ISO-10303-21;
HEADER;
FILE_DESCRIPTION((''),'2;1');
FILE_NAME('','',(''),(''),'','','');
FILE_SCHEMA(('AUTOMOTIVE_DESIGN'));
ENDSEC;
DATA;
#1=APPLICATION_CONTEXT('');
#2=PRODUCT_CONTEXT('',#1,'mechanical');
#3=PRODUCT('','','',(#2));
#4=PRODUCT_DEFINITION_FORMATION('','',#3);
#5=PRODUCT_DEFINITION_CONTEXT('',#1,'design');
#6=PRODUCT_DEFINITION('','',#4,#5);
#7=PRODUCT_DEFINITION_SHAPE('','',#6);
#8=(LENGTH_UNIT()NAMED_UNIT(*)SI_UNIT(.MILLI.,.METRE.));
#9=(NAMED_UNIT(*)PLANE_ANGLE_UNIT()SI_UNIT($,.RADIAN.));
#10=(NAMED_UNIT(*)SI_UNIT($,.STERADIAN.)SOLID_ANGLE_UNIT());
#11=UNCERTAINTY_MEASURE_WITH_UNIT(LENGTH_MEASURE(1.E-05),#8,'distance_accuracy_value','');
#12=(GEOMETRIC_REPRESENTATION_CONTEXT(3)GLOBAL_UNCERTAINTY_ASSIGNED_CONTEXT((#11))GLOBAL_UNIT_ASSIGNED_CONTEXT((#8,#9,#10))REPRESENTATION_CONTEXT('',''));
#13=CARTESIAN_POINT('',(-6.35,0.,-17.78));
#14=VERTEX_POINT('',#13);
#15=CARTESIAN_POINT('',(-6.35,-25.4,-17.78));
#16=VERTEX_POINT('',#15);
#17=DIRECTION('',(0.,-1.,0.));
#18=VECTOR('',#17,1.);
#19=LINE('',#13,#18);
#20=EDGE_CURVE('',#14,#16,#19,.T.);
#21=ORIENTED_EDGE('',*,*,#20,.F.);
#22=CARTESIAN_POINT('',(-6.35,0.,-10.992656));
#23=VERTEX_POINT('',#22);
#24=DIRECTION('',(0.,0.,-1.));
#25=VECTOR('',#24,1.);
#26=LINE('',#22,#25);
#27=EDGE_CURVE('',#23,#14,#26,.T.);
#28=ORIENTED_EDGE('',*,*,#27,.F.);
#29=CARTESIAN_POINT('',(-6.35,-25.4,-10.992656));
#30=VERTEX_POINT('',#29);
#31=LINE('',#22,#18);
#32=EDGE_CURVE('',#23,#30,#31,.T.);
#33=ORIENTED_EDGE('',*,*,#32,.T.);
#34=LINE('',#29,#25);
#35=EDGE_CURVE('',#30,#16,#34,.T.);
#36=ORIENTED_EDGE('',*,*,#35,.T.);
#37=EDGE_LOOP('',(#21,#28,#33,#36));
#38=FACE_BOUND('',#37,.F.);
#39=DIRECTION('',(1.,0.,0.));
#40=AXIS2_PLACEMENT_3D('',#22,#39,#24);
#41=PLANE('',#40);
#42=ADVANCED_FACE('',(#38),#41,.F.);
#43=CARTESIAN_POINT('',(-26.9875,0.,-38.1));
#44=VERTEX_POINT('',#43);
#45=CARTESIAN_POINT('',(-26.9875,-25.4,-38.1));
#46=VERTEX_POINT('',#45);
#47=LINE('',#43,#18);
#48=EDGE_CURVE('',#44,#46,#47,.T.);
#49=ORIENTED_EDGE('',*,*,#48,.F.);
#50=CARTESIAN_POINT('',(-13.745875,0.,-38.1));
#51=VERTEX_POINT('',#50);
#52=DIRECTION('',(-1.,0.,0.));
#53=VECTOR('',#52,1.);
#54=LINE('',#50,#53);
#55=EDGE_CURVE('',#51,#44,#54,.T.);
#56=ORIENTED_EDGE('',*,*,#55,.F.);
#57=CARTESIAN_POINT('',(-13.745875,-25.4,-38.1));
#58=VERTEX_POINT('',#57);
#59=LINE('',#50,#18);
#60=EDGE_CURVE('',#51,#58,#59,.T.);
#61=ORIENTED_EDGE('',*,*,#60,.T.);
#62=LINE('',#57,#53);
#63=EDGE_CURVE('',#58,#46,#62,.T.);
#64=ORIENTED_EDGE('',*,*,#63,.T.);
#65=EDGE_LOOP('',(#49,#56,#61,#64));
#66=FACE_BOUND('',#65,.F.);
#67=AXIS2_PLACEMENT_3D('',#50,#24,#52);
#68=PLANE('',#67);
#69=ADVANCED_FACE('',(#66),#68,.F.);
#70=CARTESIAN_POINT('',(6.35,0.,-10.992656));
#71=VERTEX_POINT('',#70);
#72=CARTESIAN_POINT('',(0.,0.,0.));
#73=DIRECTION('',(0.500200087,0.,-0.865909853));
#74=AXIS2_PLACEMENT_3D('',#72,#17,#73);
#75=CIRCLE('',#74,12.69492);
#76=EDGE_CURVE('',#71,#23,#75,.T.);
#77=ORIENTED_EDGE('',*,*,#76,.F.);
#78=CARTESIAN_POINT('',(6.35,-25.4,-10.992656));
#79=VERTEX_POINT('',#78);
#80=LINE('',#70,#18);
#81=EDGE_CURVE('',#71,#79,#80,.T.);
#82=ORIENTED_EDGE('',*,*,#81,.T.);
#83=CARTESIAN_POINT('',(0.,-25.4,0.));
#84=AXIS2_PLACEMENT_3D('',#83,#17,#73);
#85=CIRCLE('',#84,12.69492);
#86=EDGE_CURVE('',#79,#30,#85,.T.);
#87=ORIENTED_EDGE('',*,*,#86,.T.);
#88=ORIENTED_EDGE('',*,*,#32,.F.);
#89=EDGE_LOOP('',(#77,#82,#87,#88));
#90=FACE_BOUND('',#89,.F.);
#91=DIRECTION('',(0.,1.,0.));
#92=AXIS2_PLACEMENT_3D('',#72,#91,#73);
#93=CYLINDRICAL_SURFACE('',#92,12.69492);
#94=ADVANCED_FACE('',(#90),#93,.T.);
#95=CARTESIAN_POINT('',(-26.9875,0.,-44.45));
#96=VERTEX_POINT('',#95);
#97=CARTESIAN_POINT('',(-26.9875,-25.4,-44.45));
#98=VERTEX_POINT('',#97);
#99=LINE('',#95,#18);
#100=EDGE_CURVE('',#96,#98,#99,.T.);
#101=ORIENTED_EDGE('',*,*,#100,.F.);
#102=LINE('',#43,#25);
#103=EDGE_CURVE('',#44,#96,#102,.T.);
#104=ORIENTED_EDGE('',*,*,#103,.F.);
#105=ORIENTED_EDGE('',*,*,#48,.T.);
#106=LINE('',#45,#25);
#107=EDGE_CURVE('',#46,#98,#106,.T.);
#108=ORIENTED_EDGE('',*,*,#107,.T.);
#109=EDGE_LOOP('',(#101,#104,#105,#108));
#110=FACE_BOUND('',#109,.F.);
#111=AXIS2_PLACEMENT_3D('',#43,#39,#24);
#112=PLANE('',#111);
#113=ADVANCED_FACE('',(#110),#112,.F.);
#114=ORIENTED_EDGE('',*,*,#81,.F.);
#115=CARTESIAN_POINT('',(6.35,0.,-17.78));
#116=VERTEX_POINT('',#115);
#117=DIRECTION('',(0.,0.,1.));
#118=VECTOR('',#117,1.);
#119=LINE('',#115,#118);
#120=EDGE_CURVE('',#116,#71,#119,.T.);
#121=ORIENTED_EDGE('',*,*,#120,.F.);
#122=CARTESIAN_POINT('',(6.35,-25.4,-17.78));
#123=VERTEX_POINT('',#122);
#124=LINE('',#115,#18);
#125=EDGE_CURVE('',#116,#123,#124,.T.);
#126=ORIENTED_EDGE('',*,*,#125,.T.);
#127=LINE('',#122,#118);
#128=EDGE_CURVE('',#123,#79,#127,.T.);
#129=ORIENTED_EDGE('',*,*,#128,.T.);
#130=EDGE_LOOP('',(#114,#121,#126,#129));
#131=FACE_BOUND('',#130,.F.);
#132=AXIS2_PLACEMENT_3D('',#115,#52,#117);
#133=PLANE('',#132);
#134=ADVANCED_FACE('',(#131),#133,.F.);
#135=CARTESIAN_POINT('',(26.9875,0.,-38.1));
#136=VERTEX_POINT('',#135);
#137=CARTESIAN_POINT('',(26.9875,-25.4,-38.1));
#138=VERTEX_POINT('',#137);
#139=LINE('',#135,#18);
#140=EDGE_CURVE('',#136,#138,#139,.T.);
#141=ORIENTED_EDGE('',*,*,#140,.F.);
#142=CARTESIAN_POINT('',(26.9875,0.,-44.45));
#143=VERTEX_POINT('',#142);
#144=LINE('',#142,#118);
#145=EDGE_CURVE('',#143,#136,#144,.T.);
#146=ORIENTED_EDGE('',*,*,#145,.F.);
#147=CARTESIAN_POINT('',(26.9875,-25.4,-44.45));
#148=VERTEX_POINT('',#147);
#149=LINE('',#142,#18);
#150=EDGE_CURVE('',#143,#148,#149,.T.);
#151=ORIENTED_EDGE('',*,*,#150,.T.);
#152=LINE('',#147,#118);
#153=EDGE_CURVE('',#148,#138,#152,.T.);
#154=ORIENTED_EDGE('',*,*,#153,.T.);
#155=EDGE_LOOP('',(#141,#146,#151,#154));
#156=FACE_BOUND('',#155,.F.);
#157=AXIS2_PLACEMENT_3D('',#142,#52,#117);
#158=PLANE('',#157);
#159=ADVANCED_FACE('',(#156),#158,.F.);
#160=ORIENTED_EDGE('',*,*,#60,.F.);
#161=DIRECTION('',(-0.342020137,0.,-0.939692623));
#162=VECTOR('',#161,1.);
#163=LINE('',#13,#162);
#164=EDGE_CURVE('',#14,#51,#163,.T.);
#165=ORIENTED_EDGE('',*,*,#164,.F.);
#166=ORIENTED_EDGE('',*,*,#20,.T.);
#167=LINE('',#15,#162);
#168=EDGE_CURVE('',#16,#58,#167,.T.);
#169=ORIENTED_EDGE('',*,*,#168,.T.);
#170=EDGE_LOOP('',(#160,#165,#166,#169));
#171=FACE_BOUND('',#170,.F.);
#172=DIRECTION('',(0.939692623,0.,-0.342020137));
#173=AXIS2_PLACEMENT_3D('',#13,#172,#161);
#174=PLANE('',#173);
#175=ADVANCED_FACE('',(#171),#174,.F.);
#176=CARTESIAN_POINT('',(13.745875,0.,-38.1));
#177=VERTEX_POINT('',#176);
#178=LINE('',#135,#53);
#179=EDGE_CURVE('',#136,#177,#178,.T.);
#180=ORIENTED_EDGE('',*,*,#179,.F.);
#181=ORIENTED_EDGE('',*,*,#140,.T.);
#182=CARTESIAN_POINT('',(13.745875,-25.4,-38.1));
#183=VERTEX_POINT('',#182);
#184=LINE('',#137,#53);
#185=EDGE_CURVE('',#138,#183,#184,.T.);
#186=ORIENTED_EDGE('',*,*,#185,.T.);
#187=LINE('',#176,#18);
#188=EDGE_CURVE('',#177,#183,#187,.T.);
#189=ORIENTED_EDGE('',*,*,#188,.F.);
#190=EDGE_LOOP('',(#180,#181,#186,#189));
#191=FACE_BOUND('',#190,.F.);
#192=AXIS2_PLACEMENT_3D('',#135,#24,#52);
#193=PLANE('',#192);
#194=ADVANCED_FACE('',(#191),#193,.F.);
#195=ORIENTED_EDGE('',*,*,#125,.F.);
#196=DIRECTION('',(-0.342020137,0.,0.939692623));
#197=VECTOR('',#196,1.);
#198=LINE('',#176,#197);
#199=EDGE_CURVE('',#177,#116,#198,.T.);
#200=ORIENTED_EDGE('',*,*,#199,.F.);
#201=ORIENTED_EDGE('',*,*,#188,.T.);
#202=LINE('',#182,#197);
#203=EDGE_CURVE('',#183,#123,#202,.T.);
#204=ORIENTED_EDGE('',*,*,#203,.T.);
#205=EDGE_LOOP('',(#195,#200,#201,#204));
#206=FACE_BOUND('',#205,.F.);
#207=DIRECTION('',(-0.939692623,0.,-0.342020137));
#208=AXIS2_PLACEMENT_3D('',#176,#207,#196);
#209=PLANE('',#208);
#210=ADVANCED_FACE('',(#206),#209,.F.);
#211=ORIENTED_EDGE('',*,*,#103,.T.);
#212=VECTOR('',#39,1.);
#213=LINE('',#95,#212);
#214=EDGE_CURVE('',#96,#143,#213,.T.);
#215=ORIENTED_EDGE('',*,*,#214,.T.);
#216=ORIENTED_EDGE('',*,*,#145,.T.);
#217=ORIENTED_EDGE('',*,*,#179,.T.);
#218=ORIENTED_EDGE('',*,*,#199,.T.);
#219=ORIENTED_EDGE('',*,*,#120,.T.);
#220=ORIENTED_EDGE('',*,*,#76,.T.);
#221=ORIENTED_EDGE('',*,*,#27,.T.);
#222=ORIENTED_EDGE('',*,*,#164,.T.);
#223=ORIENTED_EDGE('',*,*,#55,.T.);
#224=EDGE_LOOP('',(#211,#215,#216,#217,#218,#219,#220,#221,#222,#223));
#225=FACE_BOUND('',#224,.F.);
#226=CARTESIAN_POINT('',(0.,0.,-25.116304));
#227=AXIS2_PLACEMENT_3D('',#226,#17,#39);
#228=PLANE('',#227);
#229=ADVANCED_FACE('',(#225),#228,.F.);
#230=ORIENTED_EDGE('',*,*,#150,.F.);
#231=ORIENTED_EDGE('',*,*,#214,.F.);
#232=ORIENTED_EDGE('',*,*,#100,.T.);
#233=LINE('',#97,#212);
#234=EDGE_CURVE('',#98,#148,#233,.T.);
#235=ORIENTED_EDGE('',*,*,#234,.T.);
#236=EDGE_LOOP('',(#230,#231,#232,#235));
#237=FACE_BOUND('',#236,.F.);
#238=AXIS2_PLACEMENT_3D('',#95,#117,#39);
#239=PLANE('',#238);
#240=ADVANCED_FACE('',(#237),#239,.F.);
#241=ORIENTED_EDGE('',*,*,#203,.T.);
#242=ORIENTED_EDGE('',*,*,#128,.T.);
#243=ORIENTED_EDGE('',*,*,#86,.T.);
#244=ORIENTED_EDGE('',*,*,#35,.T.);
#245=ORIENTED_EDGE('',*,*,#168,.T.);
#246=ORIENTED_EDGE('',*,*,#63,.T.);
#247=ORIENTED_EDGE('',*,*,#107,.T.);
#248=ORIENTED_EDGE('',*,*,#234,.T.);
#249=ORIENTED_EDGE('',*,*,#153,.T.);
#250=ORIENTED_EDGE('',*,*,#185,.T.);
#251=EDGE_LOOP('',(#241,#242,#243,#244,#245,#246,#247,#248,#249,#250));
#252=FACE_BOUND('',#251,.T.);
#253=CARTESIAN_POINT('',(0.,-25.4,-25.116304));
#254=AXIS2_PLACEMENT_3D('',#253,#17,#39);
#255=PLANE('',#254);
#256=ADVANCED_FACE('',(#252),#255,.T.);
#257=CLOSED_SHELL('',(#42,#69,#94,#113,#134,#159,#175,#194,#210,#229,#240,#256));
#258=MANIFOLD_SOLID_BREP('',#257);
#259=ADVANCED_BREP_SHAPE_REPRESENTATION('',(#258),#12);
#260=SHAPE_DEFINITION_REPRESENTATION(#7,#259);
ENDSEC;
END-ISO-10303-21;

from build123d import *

# Parameters (mm, degrees)
F1_DEPTH = 25.4


with BuildPart() as f1:
    # F0 (on Front) → F1 (new body)
    with BuildSketch(Plane.XZ):
        with BuildLine():
            Line((6.35, -17.78), (6.35, -10.992656))
            ThreePointArc((6.35, -10.992656), (0, 12.69492), (-6.35, -10.992656))
            Line((-6.35, -10.992656), (-6.35, -17.78))
            Line((-6.35, -17.78), (-13.745875, -38.1))
            Line((-13.745875, -38.1), (-26.9875, -38.1))
            Line((-26.9875, -38.1), (-26.9875, -44.45))
            Line((-26.9875, -44.45), (26.9875, -44.45))
            Line((26.9875, -44.45), (26.9875, -38.1))
            Line((26.9875, -38.1), (13.745875, -38.1))
            Line((13.745875, -38.1), (6.35, -17.78))
        make_face()
    extrude(amount=F1_DEPTH)


solid = f1.part
